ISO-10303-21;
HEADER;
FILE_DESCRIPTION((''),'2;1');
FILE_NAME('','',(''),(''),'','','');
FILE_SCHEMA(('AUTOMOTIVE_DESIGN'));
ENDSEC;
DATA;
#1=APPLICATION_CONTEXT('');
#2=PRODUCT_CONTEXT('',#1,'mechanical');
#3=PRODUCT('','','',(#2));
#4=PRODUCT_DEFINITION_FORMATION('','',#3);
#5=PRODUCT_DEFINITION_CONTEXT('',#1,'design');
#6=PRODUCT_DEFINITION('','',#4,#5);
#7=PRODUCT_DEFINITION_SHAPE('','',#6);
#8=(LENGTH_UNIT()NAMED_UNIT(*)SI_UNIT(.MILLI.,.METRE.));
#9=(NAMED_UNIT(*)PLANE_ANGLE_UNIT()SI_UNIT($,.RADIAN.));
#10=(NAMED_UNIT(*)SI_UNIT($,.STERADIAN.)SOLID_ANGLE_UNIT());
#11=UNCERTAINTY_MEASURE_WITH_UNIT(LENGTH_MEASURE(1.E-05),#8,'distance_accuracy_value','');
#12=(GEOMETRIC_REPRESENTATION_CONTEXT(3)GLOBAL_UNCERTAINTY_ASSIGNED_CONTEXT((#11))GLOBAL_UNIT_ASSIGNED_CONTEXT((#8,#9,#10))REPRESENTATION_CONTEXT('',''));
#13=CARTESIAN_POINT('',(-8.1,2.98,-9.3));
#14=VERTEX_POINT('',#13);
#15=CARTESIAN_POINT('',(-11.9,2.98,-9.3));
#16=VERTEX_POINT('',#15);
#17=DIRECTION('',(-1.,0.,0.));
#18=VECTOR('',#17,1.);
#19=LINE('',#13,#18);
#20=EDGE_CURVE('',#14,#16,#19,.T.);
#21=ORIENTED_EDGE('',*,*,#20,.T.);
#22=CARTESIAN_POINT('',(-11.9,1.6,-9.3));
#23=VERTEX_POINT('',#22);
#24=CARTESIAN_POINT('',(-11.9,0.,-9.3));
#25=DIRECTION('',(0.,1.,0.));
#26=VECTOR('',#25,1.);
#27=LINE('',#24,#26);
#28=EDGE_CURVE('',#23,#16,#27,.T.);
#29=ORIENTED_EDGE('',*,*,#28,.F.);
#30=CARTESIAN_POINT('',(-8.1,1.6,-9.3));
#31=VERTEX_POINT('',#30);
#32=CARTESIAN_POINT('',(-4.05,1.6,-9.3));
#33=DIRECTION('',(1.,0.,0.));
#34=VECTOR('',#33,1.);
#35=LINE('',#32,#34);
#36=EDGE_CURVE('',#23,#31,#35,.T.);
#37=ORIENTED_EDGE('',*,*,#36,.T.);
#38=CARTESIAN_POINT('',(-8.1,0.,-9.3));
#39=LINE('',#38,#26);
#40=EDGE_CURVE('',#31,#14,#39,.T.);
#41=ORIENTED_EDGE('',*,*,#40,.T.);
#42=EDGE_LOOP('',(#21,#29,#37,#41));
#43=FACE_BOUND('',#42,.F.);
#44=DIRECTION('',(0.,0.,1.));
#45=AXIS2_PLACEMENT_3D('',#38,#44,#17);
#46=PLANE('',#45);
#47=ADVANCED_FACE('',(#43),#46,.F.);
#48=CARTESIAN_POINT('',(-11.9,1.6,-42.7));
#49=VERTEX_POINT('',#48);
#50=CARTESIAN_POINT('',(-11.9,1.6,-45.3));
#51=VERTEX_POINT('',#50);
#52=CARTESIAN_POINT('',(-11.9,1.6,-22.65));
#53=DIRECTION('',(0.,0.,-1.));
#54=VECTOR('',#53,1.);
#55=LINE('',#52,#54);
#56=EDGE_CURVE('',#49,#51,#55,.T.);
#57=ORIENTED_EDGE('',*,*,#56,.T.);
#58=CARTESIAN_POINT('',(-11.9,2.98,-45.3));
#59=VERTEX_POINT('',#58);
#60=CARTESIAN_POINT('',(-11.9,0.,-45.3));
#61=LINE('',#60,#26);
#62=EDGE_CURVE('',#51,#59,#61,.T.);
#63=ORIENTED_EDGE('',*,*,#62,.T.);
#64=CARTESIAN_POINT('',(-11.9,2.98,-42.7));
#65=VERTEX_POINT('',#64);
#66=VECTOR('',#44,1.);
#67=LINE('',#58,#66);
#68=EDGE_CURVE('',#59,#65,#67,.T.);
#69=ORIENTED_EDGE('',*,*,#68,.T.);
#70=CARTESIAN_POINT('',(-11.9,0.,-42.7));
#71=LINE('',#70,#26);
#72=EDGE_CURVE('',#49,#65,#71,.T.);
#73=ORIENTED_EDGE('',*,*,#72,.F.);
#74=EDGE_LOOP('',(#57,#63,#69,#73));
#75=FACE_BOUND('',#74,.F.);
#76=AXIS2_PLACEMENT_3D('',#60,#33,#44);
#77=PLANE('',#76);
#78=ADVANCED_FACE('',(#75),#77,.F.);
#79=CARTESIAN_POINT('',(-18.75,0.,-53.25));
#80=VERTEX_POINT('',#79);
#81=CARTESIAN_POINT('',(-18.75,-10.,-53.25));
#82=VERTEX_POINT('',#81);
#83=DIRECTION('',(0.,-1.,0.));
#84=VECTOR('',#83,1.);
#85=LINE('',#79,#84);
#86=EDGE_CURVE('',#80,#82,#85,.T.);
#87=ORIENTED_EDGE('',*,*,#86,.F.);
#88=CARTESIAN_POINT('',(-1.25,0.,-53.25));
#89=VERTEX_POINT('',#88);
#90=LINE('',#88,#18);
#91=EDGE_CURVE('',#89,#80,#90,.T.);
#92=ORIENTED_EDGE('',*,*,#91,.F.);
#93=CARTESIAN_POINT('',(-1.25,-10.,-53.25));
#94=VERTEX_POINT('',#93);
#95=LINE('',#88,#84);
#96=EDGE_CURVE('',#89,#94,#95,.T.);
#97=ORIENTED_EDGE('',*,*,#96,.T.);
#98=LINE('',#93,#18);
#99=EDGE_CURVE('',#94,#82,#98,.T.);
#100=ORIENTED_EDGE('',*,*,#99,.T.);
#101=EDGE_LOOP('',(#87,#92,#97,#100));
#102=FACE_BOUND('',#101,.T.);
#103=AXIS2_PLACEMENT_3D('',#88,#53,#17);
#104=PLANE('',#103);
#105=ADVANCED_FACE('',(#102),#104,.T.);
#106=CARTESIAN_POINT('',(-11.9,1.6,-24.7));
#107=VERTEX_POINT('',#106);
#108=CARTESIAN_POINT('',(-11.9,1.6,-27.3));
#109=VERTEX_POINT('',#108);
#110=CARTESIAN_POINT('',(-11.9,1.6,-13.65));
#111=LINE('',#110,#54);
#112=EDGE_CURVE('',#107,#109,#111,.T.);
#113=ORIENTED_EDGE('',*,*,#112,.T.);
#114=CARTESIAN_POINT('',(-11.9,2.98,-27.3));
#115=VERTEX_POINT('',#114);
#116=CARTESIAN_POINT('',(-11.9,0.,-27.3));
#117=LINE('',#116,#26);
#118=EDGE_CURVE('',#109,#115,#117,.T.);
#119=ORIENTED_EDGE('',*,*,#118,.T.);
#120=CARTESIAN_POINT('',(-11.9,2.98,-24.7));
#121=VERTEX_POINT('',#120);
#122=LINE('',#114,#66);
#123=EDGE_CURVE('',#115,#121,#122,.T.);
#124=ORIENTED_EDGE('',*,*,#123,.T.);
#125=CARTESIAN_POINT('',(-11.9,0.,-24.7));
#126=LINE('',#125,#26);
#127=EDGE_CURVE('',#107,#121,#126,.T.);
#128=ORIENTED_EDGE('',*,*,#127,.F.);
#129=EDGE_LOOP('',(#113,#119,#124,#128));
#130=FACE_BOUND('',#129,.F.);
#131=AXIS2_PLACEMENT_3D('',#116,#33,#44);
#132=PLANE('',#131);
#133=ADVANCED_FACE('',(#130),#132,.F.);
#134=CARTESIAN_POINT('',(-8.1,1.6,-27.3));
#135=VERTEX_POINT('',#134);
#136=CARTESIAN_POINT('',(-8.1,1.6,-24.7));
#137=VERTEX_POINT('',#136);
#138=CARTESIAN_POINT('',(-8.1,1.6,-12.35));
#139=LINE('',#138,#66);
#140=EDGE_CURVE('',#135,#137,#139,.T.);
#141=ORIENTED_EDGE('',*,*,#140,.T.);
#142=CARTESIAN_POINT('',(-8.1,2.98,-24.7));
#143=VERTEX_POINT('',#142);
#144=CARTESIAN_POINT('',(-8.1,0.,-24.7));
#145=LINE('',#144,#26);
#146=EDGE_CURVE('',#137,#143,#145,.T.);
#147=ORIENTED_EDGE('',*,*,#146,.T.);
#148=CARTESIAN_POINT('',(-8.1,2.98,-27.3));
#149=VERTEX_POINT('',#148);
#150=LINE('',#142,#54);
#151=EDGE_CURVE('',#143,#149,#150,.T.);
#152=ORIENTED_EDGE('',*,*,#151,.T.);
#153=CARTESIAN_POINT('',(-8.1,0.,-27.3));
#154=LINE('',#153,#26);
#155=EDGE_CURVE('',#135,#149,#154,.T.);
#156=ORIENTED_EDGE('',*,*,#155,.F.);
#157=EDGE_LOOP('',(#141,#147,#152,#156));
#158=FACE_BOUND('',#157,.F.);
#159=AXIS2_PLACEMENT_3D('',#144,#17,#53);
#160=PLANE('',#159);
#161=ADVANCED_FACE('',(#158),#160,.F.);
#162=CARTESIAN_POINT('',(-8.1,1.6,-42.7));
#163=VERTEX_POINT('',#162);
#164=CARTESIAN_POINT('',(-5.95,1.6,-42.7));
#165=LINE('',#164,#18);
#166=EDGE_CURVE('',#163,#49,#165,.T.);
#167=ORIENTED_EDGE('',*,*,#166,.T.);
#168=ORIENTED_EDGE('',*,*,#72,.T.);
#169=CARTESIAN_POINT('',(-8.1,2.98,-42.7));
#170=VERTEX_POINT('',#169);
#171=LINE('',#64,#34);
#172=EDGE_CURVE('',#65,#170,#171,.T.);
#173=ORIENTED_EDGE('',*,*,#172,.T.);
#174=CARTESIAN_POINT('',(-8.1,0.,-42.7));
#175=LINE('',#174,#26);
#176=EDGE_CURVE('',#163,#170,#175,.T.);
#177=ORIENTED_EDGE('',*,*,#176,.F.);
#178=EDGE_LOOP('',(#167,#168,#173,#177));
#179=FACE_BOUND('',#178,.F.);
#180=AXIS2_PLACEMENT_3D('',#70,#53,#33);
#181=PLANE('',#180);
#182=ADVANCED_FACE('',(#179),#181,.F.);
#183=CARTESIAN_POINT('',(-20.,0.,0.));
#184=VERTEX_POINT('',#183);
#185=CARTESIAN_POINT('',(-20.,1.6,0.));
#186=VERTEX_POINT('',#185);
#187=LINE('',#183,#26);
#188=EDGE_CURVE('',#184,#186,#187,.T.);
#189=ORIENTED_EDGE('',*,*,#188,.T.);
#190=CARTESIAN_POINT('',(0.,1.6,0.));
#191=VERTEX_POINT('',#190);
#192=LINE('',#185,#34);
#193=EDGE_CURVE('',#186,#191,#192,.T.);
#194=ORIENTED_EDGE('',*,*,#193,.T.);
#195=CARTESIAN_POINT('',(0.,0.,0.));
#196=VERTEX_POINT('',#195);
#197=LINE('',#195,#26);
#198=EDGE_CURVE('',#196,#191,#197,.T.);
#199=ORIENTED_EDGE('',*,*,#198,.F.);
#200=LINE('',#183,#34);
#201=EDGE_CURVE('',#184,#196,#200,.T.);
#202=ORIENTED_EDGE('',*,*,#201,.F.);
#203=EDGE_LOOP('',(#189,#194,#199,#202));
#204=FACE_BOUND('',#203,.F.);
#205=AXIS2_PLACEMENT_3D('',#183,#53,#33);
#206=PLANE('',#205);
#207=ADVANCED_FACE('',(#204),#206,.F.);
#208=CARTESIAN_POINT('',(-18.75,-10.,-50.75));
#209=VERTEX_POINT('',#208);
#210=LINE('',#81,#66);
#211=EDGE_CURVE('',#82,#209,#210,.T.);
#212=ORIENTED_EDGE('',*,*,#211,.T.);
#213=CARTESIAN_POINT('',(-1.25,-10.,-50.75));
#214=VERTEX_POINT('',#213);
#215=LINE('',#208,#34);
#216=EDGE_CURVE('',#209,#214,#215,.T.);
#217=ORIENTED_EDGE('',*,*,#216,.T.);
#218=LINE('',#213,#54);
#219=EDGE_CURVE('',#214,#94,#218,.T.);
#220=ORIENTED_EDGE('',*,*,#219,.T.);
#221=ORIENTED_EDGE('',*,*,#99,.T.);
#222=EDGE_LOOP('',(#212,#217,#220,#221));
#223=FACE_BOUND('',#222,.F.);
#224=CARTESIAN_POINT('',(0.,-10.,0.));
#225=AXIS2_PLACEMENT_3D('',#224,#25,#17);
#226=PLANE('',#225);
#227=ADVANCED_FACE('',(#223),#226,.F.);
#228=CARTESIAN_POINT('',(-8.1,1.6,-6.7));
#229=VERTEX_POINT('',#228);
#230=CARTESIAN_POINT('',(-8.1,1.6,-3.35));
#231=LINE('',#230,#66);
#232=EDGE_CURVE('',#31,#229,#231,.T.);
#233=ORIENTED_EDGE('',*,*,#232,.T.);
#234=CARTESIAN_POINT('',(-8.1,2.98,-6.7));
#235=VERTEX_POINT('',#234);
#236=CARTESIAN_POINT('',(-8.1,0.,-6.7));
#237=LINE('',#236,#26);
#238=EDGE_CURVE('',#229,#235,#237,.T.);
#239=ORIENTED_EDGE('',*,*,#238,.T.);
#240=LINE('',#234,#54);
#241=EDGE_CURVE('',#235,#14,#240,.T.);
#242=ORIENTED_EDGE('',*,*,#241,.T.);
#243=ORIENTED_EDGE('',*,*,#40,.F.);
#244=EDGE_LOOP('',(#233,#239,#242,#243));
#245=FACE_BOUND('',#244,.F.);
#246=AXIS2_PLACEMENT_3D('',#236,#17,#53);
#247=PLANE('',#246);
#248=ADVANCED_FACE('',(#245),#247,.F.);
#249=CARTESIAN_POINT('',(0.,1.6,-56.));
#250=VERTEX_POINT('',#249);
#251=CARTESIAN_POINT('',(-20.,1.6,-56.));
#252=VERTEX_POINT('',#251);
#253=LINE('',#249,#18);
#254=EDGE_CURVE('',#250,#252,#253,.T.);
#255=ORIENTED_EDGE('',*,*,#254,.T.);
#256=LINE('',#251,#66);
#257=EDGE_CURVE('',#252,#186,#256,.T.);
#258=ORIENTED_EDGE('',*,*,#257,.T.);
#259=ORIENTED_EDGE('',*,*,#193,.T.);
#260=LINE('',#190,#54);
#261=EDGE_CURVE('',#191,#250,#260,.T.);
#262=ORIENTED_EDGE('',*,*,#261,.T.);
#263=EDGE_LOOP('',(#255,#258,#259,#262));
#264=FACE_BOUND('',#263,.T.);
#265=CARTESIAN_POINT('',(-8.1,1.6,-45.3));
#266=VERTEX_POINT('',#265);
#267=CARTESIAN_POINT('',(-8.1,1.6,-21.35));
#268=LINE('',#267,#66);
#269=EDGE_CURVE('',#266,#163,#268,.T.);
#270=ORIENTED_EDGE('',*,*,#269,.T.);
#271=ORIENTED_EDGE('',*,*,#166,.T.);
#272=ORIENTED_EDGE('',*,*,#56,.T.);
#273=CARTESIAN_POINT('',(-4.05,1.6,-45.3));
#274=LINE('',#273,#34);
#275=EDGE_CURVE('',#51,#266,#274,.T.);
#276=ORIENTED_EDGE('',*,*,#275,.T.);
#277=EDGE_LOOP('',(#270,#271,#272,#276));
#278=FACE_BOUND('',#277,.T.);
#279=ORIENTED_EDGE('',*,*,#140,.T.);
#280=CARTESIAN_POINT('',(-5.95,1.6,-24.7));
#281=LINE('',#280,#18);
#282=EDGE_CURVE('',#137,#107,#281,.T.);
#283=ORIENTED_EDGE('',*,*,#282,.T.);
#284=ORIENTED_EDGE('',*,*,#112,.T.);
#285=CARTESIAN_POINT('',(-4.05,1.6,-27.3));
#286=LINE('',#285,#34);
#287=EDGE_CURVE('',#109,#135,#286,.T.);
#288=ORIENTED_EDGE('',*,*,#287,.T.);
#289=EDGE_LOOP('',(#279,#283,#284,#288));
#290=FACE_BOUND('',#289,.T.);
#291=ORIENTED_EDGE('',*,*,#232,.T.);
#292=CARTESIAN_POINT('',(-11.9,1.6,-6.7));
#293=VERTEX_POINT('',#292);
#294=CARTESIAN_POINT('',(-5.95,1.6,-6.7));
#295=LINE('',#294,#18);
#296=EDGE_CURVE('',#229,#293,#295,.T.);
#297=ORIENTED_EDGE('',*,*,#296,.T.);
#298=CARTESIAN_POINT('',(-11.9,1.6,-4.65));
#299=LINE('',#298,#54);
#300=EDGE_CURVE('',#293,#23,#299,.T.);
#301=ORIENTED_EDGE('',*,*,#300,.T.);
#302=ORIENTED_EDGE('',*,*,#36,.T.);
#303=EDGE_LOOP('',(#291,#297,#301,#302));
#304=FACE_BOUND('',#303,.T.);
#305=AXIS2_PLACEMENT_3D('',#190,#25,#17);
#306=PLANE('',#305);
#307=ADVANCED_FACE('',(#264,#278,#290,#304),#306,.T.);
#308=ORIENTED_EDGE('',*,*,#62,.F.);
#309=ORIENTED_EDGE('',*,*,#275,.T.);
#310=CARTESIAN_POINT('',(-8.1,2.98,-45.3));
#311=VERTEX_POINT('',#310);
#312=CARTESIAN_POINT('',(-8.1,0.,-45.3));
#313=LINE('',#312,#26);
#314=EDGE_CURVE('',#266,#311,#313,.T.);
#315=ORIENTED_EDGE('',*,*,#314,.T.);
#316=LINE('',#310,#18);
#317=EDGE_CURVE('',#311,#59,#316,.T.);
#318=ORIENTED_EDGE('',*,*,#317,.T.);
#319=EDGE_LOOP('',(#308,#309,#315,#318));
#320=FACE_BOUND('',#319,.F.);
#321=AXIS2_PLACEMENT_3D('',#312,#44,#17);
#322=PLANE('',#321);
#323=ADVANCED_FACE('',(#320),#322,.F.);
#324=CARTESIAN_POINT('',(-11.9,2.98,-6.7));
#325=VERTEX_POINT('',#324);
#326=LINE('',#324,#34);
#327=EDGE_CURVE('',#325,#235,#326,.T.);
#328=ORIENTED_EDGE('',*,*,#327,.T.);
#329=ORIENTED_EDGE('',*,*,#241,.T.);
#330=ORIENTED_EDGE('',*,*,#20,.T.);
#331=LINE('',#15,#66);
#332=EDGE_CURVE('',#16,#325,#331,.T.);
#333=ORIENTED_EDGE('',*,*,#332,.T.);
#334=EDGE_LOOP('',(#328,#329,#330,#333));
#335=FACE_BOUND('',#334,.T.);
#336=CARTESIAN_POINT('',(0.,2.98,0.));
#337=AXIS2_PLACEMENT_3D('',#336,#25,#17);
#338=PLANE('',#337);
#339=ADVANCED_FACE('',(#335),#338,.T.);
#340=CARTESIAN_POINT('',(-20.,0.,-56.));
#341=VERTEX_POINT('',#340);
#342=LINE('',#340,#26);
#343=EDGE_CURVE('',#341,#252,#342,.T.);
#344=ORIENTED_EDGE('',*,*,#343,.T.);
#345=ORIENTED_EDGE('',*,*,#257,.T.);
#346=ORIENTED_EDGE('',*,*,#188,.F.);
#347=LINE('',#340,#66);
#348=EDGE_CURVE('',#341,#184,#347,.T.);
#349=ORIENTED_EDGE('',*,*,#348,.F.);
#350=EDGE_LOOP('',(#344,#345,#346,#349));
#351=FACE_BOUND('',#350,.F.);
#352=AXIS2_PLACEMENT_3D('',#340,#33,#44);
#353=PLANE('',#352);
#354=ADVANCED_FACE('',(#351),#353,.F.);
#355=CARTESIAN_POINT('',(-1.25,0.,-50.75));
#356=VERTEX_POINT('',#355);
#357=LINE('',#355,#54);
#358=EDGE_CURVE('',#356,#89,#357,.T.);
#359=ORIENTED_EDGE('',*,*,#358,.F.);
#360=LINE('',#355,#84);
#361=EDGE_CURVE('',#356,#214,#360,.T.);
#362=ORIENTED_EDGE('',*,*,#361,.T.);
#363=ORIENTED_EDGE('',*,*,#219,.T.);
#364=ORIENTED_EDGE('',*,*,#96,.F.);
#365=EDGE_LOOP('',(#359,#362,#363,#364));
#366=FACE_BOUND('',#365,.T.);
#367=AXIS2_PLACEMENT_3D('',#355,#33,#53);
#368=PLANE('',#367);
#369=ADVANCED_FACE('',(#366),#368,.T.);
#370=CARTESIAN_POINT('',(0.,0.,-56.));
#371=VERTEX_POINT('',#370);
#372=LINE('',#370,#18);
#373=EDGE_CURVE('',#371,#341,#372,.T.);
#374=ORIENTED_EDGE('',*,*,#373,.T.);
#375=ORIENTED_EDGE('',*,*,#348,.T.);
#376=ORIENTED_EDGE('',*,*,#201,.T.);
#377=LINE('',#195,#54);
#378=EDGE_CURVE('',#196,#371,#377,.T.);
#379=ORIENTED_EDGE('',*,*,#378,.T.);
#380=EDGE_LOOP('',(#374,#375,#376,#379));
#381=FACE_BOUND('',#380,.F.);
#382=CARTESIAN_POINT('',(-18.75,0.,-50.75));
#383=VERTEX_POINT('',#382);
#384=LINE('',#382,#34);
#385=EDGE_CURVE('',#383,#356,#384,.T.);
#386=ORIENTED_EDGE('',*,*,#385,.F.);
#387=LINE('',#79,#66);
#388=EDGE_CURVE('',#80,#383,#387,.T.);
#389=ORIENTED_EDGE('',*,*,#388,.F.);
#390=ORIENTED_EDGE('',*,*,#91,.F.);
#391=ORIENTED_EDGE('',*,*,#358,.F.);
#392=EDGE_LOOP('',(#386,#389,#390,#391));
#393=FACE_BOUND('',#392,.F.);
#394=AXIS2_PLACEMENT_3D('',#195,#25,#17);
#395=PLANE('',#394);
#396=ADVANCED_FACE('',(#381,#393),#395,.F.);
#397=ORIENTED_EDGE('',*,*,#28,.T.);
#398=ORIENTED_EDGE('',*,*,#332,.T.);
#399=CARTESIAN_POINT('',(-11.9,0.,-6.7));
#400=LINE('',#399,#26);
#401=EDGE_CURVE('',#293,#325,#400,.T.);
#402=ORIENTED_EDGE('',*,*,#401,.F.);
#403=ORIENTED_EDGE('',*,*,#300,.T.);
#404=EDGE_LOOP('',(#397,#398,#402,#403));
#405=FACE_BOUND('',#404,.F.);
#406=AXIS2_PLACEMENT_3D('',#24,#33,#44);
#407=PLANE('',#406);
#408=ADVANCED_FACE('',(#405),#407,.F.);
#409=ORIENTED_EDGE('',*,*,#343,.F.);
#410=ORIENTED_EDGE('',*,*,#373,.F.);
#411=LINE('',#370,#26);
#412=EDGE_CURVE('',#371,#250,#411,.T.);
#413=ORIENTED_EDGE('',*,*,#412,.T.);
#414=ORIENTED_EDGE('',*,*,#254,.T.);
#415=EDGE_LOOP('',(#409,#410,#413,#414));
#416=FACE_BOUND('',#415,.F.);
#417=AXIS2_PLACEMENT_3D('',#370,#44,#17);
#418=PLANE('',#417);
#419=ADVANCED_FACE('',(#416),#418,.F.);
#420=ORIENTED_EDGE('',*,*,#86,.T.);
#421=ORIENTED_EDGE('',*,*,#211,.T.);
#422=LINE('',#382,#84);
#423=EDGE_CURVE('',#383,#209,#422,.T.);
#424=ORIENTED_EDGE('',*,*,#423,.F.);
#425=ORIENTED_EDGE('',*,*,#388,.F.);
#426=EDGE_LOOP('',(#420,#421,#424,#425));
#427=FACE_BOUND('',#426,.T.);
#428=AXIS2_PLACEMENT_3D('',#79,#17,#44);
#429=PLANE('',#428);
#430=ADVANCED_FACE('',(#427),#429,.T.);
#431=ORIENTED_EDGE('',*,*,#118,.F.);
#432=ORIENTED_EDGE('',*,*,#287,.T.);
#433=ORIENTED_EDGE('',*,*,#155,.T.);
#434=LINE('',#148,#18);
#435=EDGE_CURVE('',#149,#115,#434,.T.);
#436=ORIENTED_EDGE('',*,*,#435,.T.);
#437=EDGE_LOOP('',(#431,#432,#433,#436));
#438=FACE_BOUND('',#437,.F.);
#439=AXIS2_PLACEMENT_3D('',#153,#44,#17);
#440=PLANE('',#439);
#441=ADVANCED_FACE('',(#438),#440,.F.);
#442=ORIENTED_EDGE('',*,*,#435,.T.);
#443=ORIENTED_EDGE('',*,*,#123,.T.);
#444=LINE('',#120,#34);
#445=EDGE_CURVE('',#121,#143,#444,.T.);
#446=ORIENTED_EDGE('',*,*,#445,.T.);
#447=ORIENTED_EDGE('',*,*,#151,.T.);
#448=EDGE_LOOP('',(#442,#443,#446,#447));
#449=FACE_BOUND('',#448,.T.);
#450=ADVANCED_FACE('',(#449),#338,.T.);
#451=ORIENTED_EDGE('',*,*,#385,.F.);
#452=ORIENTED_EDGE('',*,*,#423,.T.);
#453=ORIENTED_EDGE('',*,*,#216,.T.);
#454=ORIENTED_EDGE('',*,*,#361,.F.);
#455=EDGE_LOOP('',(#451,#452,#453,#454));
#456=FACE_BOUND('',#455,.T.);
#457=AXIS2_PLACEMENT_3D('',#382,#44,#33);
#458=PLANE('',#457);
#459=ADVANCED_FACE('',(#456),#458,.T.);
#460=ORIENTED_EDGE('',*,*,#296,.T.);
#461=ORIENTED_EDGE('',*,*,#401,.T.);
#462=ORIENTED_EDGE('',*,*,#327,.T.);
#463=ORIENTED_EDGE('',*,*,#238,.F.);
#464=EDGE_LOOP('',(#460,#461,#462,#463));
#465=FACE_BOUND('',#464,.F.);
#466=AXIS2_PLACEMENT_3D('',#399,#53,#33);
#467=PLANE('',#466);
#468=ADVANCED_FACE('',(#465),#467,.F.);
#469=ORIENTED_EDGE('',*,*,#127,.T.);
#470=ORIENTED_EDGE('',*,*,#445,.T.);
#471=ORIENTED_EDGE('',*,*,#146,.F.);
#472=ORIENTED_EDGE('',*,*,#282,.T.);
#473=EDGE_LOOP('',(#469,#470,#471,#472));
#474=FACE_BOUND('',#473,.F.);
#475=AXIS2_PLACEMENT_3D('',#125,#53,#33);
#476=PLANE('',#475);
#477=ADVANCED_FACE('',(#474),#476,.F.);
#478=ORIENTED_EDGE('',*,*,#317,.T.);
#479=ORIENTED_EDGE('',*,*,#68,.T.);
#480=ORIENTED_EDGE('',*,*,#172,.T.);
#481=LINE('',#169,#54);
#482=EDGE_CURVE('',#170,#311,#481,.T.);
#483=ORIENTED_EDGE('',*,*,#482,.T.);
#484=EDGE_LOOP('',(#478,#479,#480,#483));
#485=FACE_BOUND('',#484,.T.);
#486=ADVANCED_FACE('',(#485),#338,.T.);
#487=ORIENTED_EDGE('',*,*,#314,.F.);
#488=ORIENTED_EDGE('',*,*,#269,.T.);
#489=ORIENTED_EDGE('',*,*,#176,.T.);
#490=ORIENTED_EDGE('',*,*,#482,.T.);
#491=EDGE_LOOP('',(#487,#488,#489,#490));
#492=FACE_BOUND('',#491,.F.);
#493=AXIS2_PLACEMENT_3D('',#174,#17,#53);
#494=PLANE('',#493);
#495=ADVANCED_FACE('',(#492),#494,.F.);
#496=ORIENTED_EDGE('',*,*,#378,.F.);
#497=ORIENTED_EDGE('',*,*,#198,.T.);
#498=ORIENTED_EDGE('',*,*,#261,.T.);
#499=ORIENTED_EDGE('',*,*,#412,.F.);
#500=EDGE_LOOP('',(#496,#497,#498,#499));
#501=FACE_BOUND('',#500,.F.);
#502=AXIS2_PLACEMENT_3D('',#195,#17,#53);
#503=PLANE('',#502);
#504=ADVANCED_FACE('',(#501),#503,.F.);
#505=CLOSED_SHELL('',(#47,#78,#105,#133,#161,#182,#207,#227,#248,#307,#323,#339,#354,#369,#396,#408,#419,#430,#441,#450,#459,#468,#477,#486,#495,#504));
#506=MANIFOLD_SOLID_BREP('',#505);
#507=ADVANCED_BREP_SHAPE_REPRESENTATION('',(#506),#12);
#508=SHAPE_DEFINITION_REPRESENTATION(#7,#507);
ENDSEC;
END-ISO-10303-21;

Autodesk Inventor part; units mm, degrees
ref_plane "YZ Plane" through (0, 0, 0) normal (1, 0, 0) x (0, 1, 0)
ref_plane "XZ Plane" through (0, 0, 0) normal (0, 1, 0) x (-1, 0, 0)
ref_plane "XY Plane" through (0, 0, 0) normal (0, 0, 1) x (1, 0, 0)
sketch "Sketch2" plane through (0, 0, 0) normal (0, 1, 0) x (-1, 0, 0)
  line L0 (20, 0) -> (0, 0)
  line L1 (0, 0) -> (0, -56)
  line L2 (0, -56) -> (20, -56)
  line L3 (20, -56) -> (20, 0)
  line L4 (18.75, -50.75) -> (1.25, -50.75)
  line L5 (1.25, -50.75) -> (1.25, -53.25)
  line L6 (1.25, -53.25) -> (18.75, -53.25)
  line L7 (18.75, -53.25) -> (18.75, -50.75)
  line L8 (11.9, -6.7) -> (8.1, -6.7)
  line L9 (8.1, -6.7) -> (8.1, -9.3)
  line L10 (8.1, -9.3) -> (11.9, -9.3)
  line L11 (11.9, -9.3) -> (11.9, -6.7)
  line L12 (11.9, -42.7) -> (8.1, -42.7)
  line L13 (8.1, -42.7) -> (8.1, -45.3)
  line L14 (8.1, -45.3) -> (11.9, -45.3)
  line L15 (11.9, -45.3) -> (11.9, -42.7)
  line L16 (8.1, -27.3) -> (11.9, -27.3)
  line L17 (8.1, -24.7) -> (8.1, -27.3)
  line L18 (11.9, -24.7) -> (8.1, -24.7)
  line L19 (11.9, -27.3) -> (11.9, -24.7)
  line L20 (23.6892, -52) -> (-2.3247, -52) construction
  line L21 (10, -54.7987) -> (10, -48.1542) construction
  line L22 (10, 9.3713) -> (10, -46.1174) construction
  line L23 (11.7769, -8) -> (1.25, -8) construction
  line L24 (11.7769, -26) -> (1.25, -26) construction
  line L25 (11.7769, -44) -> (1.25, -44) construction
  dimension "d0" = 20
  dimension "d1" = 56
  dimension "d2" = 17.5
  dimension "d3" = 2.5
  dimension "d9" = 3.8
  dimension "d10" = 2.6
  dimension "d13" = 3.8
  dimension "d14" = 2.6
  dimension "d30" = 3.8
  dimension "d31" = 2.6
  dimension "d40" = 10
  dimension "d41" = 10
  dimension "d45" = 8.1
  dimension "d46" = 8
  dimension "d47" = 18
  dimension "d48" = 18
  dimension "d49" = 4
extrude "Extrusion1" add sketch "Sketch2" along normal blind 1.6 contours L3 L2 L1 L0 | L7 L6 L5 L4 | L11 L10 L9 L8 | L15 L14 L13 L12 | L17 L18 L19 L16
extrude "Extrusion3" add sketch "Sketch2" against normal blind 10 contours L7 L6 L5 L4
extrude "Extrusion4" add sketch "Sketch2" along normal blind 2.98 contours L11 L10 L9 L8 | L15 L14 L13 L12 | L17 L18 L19 L16
properties part number "Sensor_Board_dummy"
